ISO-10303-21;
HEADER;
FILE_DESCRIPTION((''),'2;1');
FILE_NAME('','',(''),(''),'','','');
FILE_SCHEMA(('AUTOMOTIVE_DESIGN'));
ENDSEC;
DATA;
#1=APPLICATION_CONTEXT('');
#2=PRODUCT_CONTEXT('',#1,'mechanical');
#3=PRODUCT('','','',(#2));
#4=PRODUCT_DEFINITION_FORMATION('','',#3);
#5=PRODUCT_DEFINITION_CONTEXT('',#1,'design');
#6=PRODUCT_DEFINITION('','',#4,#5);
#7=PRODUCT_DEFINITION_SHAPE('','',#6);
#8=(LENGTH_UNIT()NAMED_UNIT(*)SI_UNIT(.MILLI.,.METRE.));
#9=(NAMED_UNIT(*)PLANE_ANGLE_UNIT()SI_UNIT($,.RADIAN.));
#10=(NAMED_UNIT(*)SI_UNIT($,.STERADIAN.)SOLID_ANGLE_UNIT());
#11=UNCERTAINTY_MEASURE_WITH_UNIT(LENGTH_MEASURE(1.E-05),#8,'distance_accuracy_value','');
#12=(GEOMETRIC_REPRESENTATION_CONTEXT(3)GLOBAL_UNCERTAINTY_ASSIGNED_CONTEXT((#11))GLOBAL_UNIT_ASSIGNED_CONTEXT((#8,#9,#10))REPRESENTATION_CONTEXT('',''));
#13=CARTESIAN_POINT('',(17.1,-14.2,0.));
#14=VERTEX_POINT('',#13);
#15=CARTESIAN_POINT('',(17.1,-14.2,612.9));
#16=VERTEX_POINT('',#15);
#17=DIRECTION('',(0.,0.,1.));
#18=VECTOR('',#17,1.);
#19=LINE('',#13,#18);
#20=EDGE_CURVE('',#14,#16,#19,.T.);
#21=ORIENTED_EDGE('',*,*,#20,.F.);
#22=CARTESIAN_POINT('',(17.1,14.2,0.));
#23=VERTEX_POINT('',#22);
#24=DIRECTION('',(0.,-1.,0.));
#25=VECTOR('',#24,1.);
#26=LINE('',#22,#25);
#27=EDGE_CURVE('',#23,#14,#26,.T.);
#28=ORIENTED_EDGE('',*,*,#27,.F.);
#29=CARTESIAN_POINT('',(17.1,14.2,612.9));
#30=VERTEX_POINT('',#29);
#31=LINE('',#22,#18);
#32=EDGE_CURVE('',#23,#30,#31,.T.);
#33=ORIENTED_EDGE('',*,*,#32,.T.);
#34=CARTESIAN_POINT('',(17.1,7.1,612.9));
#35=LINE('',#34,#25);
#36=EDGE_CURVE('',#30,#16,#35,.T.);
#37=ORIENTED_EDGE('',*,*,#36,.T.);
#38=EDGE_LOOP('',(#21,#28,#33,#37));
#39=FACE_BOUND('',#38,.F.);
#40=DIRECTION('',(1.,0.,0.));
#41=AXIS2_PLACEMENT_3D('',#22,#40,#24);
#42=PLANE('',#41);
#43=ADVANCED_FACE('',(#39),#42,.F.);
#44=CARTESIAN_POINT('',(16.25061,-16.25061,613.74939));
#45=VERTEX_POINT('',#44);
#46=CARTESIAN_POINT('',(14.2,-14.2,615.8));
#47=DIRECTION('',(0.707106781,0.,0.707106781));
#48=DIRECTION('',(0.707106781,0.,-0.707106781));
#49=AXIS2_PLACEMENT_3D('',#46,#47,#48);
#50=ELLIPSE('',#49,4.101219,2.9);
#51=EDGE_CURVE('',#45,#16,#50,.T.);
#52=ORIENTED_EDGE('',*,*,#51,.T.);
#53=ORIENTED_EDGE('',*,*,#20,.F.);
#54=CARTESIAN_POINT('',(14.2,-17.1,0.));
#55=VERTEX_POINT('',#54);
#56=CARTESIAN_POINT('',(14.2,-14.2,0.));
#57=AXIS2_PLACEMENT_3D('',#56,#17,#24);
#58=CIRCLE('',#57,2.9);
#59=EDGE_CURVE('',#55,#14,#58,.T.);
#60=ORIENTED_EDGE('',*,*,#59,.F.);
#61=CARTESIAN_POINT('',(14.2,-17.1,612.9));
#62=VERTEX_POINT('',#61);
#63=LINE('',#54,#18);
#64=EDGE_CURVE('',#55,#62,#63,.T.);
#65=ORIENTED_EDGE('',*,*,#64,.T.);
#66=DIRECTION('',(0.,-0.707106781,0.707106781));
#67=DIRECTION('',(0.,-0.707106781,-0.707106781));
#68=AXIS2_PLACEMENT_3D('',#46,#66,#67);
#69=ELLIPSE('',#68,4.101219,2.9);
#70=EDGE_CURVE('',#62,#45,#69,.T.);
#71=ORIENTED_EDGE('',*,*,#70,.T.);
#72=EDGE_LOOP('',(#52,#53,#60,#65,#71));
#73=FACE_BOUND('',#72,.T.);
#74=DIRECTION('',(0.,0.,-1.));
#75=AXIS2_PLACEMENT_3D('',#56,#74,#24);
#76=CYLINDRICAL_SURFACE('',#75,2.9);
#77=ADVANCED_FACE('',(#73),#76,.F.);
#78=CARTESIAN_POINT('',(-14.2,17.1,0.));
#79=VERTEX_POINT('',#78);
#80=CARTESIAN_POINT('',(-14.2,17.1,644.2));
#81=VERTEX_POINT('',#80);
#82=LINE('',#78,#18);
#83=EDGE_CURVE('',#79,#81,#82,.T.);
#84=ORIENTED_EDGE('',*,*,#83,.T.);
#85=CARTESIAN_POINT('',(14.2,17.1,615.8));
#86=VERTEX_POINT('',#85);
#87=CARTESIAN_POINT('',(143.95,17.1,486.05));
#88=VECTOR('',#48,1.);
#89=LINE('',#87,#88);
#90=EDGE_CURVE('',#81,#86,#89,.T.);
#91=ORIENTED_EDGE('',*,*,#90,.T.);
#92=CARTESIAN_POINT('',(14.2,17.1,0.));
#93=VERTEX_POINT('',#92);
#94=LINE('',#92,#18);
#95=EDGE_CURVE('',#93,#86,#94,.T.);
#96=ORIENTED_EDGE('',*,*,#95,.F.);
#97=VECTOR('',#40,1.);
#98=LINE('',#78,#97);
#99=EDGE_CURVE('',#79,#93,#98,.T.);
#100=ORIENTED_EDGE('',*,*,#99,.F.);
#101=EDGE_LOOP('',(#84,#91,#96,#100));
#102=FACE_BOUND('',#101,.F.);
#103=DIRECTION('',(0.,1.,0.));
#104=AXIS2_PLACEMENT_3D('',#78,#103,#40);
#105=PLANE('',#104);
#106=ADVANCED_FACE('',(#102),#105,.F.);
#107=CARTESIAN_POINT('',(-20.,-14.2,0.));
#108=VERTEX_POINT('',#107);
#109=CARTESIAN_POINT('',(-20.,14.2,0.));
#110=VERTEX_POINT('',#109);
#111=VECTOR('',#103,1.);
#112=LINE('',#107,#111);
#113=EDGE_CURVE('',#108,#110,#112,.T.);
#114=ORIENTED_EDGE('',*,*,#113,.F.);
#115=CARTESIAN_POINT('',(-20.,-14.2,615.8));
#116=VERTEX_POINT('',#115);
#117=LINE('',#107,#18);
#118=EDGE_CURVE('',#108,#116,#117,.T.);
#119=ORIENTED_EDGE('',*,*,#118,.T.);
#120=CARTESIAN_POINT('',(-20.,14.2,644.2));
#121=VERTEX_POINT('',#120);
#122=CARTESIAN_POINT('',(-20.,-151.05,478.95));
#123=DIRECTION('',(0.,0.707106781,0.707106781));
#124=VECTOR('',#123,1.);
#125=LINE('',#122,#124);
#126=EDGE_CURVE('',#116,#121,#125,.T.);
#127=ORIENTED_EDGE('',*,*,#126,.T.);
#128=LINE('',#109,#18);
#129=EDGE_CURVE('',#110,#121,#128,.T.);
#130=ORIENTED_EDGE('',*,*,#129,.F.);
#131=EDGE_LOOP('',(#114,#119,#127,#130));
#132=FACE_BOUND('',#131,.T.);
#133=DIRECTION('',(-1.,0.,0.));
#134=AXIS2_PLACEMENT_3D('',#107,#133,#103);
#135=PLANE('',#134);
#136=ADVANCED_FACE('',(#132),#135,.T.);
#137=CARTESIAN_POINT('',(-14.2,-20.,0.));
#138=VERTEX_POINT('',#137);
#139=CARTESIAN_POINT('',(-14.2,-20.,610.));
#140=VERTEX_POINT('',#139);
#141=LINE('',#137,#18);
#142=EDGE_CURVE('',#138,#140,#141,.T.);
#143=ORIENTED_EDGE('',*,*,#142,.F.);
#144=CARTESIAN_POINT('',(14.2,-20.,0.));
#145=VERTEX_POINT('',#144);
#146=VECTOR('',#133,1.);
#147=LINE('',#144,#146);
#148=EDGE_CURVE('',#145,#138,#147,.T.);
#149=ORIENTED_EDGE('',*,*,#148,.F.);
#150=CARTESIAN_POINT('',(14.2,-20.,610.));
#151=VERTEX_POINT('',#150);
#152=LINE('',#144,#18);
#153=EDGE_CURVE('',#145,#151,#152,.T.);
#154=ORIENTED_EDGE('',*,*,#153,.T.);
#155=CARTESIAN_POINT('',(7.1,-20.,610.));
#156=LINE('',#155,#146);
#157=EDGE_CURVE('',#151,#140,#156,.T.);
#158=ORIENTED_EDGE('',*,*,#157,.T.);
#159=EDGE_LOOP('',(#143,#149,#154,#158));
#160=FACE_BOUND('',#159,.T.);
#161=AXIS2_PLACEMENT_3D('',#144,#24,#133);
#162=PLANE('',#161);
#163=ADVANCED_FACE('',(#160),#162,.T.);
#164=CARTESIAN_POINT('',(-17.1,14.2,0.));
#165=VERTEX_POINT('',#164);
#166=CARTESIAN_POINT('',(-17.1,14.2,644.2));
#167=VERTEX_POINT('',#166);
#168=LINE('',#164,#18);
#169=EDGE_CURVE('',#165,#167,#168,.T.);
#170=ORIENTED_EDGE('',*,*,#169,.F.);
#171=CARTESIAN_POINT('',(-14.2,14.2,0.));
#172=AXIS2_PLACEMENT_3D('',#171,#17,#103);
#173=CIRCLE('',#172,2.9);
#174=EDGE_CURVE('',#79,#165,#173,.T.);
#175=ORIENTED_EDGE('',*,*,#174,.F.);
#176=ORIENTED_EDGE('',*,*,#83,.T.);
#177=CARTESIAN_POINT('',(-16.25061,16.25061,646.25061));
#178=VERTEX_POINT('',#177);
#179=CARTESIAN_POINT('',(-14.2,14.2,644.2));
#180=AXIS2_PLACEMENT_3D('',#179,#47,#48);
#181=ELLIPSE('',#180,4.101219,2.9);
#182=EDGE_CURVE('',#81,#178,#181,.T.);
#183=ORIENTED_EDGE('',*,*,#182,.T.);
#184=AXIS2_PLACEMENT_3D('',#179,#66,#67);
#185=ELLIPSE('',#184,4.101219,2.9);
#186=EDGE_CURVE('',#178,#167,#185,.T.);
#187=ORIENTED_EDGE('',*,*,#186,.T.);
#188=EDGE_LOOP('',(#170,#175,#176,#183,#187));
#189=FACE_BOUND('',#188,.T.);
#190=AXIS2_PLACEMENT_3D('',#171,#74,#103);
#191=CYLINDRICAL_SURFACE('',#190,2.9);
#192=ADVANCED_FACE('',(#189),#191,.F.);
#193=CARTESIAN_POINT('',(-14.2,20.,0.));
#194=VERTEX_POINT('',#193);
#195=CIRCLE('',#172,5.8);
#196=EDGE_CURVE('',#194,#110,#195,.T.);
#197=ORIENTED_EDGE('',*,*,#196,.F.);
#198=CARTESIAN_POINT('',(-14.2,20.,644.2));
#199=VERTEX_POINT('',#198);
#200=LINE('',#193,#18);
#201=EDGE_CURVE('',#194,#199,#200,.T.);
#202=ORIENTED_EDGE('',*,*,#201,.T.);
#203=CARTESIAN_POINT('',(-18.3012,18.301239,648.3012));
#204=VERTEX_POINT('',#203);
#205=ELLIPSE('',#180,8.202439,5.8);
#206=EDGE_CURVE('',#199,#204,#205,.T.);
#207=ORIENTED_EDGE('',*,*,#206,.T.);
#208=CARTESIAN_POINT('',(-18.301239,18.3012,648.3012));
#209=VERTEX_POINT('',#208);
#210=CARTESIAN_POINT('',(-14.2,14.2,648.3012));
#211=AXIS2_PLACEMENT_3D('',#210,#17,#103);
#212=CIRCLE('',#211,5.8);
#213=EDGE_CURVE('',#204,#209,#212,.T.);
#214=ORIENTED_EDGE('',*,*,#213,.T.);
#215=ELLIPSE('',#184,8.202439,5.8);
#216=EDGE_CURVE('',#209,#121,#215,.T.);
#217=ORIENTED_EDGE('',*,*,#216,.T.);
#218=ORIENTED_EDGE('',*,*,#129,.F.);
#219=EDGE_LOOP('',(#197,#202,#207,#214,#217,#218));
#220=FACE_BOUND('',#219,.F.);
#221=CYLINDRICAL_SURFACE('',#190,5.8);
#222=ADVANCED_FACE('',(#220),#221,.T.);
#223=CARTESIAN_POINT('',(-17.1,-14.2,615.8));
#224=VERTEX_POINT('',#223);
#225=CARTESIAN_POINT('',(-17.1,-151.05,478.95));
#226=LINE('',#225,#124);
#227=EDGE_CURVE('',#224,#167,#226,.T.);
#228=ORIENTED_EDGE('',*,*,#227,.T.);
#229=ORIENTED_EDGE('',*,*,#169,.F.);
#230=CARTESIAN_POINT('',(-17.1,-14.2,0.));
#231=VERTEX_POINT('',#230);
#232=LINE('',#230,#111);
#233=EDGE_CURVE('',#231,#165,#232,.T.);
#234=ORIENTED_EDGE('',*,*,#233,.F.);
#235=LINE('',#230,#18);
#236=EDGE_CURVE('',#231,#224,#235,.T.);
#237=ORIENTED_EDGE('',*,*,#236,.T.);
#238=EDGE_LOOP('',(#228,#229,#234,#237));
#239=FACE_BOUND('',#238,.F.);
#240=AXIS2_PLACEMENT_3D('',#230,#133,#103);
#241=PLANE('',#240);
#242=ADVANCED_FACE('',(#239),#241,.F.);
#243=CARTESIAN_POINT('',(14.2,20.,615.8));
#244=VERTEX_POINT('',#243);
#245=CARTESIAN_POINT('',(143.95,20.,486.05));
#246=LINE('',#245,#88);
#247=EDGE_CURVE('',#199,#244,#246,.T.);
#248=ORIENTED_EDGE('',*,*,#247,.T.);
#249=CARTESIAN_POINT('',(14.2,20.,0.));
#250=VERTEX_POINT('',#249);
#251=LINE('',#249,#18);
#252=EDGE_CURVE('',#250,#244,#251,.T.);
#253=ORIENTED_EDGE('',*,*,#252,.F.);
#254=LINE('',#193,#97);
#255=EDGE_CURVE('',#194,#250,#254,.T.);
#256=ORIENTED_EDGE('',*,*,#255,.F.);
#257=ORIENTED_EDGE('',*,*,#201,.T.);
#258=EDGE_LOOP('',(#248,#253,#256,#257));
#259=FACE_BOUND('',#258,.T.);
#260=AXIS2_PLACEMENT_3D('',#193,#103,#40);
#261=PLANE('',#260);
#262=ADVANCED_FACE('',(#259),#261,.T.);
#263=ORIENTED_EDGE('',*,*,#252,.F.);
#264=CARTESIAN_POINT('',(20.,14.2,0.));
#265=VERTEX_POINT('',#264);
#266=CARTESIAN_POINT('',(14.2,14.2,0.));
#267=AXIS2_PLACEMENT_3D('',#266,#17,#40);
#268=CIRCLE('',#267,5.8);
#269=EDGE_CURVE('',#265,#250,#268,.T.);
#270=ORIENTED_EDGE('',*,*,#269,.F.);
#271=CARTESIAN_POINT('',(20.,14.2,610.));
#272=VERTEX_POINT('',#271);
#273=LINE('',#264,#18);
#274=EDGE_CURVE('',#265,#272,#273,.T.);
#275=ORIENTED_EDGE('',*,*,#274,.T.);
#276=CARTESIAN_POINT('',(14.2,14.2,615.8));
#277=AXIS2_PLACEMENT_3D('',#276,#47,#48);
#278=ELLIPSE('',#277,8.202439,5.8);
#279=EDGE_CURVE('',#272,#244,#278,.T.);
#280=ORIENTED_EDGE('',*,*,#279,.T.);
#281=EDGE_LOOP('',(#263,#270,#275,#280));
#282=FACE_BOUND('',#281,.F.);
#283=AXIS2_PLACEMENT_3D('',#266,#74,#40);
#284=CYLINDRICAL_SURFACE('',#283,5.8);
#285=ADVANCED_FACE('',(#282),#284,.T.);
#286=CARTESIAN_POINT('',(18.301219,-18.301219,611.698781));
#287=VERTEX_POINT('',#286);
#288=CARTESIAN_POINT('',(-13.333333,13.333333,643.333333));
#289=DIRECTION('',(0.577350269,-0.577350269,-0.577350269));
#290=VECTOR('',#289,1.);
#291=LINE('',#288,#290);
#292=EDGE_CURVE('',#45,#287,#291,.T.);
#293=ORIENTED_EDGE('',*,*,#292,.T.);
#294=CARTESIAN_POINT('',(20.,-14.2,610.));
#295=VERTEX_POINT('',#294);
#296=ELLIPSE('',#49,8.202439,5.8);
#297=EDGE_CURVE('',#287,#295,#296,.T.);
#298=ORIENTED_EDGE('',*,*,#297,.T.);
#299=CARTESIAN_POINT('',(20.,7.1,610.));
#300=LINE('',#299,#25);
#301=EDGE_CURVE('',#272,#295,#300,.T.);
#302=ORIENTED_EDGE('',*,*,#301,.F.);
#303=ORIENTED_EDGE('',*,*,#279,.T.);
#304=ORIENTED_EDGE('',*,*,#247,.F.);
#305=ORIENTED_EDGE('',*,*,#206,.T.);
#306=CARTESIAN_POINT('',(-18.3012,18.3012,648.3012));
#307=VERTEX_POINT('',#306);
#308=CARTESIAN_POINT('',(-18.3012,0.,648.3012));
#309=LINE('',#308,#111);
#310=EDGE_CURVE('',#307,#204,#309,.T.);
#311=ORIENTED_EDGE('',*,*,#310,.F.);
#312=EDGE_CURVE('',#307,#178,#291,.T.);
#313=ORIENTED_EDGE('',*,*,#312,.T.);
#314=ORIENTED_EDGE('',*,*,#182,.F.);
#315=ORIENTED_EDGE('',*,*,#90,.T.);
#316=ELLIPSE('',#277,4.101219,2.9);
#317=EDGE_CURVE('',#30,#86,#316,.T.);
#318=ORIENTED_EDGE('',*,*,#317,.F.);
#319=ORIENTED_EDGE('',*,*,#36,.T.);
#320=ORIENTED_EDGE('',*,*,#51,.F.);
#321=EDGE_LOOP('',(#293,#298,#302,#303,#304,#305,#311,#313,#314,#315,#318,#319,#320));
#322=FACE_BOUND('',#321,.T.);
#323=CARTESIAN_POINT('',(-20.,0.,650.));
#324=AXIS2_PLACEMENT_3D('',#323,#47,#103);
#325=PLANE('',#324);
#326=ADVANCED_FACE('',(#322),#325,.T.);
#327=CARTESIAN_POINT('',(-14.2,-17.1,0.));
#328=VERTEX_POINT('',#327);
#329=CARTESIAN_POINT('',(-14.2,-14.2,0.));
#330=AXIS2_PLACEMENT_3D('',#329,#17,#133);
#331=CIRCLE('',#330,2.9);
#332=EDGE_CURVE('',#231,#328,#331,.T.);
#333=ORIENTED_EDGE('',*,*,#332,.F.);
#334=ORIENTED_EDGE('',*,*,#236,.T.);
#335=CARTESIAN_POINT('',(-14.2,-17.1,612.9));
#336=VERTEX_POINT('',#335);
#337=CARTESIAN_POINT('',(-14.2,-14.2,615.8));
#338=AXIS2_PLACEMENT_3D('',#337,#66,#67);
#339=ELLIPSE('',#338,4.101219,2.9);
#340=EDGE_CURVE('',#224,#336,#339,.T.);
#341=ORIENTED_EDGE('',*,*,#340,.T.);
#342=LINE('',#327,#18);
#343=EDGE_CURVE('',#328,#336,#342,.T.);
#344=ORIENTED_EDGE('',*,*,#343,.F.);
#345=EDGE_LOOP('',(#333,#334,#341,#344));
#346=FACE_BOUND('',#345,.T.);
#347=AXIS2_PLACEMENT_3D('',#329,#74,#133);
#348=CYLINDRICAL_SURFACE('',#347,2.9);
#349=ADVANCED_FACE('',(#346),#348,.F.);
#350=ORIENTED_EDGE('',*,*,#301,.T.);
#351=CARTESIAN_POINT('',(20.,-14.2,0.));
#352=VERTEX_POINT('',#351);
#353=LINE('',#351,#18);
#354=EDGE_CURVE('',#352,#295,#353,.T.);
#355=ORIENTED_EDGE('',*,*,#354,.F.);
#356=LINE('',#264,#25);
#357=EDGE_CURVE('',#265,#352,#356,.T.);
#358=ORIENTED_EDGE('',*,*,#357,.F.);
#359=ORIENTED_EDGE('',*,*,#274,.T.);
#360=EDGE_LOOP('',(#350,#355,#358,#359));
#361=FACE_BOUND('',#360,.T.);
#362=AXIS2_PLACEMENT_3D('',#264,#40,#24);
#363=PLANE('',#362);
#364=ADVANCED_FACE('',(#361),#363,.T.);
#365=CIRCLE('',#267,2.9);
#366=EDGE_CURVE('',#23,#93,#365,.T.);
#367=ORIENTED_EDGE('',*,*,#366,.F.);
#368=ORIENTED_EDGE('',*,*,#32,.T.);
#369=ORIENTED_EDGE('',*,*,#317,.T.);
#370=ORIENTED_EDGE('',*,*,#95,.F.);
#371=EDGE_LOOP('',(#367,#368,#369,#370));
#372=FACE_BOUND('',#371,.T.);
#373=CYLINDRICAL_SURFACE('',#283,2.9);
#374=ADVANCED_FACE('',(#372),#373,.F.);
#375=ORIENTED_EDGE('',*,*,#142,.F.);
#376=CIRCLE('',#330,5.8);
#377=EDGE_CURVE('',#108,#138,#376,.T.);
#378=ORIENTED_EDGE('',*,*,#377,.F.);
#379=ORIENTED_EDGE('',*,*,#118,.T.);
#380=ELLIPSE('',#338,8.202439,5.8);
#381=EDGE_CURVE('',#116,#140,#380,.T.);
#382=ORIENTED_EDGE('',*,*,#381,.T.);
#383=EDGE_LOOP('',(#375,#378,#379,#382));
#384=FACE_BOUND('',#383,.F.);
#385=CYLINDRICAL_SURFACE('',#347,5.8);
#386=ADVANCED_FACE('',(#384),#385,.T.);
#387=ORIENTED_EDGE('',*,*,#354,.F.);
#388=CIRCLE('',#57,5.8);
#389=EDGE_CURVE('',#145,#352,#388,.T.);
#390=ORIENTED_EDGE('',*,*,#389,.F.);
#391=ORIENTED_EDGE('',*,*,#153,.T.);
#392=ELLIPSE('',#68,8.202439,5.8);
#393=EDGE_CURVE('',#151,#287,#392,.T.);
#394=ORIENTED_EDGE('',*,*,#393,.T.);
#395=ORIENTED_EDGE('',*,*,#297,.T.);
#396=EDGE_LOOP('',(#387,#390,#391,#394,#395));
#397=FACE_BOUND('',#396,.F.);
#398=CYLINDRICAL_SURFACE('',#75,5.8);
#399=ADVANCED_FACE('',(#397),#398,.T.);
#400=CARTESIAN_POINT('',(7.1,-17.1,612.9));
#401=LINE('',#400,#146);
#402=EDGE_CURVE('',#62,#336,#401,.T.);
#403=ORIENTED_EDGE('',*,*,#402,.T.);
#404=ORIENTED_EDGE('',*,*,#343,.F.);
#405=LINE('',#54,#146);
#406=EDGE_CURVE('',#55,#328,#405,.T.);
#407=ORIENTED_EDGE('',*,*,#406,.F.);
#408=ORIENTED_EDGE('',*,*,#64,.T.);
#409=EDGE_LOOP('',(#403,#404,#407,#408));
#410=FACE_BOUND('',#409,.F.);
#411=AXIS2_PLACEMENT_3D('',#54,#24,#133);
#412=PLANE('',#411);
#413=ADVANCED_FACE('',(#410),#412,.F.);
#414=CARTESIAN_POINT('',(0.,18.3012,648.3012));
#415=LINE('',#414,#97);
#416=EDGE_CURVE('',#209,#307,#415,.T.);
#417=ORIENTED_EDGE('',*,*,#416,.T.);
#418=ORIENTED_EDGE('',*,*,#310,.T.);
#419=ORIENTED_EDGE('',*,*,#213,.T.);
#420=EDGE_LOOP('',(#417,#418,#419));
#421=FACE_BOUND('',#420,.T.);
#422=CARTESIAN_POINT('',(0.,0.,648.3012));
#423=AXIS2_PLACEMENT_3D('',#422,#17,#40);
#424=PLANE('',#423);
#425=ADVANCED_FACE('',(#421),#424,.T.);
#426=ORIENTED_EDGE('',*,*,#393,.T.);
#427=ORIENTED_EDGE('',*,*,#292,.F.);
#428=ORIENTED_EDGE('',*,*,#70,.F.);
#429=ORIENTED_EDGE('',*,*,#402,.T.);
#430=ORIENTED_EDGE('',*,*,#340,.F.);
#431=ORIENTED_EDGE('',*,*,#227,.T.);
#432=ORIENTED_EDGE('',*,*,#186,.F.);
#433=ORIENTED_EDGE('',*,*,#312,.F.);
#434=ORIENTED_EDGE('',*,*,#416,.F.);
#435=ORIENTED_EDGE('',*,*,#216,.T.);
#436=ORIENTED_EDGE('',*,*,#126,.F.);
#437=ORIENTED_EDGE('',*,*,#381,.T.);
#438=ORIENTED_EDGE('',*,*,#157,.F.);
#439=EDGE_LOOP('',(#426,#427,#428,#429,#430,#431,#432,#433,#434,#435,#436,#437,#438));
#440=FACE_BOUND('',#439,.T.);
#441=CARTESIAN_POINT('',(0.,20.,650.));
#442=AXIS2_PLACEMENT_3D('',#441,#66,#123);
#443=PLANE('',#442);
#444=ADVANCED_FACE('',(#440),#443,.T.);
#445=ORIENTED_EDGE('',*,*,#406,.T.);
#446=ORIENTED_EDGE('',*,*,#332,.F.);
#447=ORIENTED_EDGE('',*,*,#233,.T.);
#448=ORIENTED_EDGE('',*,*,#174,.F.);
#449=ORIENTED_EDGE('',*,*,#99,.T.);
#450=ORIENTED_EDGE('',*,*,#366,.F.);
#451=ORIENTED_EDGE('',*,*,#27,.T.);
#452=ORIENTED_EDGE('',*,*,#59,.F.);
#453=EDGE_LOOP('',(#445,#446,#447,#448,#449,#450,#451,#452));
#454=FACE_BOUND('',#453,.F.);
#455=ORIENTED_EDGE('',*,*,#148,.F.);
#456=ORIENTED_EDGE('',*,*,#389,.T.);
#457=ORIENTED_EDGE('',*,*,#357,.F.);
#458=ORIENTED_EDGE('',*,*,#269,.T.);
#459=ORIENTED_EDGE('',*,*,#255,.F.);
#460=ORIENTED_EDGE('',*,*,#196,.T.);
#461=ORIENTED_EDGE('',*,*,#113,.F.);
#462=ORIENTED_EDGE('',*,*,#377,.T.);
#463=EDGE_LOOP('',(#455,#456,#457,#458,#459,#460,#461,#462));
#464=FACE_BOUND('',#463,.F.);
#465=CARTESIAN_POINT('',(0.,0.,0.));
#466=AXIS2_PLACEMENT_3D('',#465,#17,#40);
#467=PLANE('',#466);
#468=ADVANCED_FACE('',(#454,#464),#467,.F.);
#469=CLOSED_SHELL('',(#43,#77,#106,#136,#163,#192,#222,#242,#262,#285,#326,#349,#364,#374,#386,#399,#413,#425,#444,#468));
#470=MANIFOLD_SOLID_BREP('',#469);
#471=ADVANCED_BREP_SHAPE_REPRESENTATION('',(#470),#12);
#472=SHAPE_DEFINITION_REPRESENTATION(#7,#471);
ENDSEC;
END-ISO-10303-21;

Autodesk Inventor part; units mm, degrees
ref_plane "Plano inicial" through (0, 0, 0) normal (0, 0, 1) x (1, 0, 0)
ref_plane "Plano final" through (0, 0, 648.3012) normal (0, 0, 1) x (1, 0, 0)
sketch "Boceto" plane through (0, 0, 0) normal (0, 0, 1) x (1, 0, 0)
  line L0 (-14.2, 20) -> (14.2, 20)
  line L1 (20, 14.2) -> (20, -14.2)
  line L2 (14.2, -20) -> (-14.2, -20)
  line L3 (-20, -14.2) -> (-20, 14.2)
  arc A0 (-14.2, 20) -> (-20, 14.2) centre (-14.2, 14.2) ccw
  arc A1 (20, 14.2) -> (14.2, 20) centre (14.2, 14.2) ccw
  arc A2 (14.2, -20) -> (20, -14.2) centre (14.2, -14.2) ccw
  arc A3 (-20, -14.2) -> (-14.2, -20) centre (-14.2, -14.2) ccw
  line L4 (-29.6817, 0) -> (29.6817, 0) construction
  line L5 (0, -29.6817) -> (0, 29.6817) construction
  arc A4 (-14.2, 17.1) -> (-17.1, 14.2) centre (-14.2, 14.2) ccw
  line L6 (-14.2, 17.1) -> (14.2, 17.1)
  arc A5 (17.1, 14.2) -> (14.2, 17.1) centre (14.2, 14.2) ccw
  line L7 (17.1, 14.2) -> (17.1, -14.2)
  arc A6 (14.2, -17.1) -> (17.1, -14.2) centre (14.2, -14.2) ccw
  line L8 (14.2, -17.1) -> (-14.2, -17.1)
  arc A7 (-17.1, -14.2) -> (-14.2, -17.1) centre (-14.2, -14.2) ccw
  line L9 (-17.1, -14.2) -> (-17.1, 14.2)
  point P0 (-20, 20)
  point P1 (20, -20)
  point P2 (20, 20)
  dimension "b" = 40
  dimension "msp_r" = 5.8
  dimension "d8" = 20
  dimension "d9" = 20
  dimension "d10" = 2.9
extrude "Cuerpo" add sketch "Boceto" along normal up to surface (648.3012 mm away) from surface at 0
sketch "Sketch2" plane through (0, 0, 0) normal (0, 0, 1) x (1, 0, 0)
  line L0 (0, 0) -> (10, 0)
ref_plane "Work Plane3" through (0, 0, 0) normal (0, -1, 0) x (1, 0, 0)
sketch "Sketch3" plane through (0, 0, 0) normal (0, -1, 0) x (1, 0, 0)
  line L0 (-2, 0) -> (12, 0)
  line L1 (-2, 648.3012) -> (12, 648.3012)
  dimension "d14" = 648.3012
ref_plane "Plano de trabajo4" through (-20, 0, 650) normal (0.7071, 0, 0.7071) x (0.7071, 0, -0.7071)
split "Dividir1" plane through (-20, 0, 650) removes the side toward (0.7071, 0, 0.7071)
ref_plane "Plano de trabajo5" through (0, 20, 650) normal (0, -0.7071, 0.7071) x (1, 0, 0)
split "Dividir2" plane through (0, 20, 650) removes the side toward (0, -0.7071, 0.7071)
equation "\"msp_r\" = 2 * ParT"
equation "\"d8\" = d9"
equation "\"d9\" = 0.5 * b"
equation "\"d10\" = ParT"
equation "\"G_OFFSET_START\" = 0"
equation "\"G_OFFSET_END\" = 18.30122"
equation "\"d12\" = G_OFFSET_END + B_L"
equation "\"G_L\" = d14"
equation "\"ParT\" = 2.9"
equation "\"B_L\" = 630"
properties part number "DIN 59 410 - 40x40x2.9-648.301" material "Acero, suave"
